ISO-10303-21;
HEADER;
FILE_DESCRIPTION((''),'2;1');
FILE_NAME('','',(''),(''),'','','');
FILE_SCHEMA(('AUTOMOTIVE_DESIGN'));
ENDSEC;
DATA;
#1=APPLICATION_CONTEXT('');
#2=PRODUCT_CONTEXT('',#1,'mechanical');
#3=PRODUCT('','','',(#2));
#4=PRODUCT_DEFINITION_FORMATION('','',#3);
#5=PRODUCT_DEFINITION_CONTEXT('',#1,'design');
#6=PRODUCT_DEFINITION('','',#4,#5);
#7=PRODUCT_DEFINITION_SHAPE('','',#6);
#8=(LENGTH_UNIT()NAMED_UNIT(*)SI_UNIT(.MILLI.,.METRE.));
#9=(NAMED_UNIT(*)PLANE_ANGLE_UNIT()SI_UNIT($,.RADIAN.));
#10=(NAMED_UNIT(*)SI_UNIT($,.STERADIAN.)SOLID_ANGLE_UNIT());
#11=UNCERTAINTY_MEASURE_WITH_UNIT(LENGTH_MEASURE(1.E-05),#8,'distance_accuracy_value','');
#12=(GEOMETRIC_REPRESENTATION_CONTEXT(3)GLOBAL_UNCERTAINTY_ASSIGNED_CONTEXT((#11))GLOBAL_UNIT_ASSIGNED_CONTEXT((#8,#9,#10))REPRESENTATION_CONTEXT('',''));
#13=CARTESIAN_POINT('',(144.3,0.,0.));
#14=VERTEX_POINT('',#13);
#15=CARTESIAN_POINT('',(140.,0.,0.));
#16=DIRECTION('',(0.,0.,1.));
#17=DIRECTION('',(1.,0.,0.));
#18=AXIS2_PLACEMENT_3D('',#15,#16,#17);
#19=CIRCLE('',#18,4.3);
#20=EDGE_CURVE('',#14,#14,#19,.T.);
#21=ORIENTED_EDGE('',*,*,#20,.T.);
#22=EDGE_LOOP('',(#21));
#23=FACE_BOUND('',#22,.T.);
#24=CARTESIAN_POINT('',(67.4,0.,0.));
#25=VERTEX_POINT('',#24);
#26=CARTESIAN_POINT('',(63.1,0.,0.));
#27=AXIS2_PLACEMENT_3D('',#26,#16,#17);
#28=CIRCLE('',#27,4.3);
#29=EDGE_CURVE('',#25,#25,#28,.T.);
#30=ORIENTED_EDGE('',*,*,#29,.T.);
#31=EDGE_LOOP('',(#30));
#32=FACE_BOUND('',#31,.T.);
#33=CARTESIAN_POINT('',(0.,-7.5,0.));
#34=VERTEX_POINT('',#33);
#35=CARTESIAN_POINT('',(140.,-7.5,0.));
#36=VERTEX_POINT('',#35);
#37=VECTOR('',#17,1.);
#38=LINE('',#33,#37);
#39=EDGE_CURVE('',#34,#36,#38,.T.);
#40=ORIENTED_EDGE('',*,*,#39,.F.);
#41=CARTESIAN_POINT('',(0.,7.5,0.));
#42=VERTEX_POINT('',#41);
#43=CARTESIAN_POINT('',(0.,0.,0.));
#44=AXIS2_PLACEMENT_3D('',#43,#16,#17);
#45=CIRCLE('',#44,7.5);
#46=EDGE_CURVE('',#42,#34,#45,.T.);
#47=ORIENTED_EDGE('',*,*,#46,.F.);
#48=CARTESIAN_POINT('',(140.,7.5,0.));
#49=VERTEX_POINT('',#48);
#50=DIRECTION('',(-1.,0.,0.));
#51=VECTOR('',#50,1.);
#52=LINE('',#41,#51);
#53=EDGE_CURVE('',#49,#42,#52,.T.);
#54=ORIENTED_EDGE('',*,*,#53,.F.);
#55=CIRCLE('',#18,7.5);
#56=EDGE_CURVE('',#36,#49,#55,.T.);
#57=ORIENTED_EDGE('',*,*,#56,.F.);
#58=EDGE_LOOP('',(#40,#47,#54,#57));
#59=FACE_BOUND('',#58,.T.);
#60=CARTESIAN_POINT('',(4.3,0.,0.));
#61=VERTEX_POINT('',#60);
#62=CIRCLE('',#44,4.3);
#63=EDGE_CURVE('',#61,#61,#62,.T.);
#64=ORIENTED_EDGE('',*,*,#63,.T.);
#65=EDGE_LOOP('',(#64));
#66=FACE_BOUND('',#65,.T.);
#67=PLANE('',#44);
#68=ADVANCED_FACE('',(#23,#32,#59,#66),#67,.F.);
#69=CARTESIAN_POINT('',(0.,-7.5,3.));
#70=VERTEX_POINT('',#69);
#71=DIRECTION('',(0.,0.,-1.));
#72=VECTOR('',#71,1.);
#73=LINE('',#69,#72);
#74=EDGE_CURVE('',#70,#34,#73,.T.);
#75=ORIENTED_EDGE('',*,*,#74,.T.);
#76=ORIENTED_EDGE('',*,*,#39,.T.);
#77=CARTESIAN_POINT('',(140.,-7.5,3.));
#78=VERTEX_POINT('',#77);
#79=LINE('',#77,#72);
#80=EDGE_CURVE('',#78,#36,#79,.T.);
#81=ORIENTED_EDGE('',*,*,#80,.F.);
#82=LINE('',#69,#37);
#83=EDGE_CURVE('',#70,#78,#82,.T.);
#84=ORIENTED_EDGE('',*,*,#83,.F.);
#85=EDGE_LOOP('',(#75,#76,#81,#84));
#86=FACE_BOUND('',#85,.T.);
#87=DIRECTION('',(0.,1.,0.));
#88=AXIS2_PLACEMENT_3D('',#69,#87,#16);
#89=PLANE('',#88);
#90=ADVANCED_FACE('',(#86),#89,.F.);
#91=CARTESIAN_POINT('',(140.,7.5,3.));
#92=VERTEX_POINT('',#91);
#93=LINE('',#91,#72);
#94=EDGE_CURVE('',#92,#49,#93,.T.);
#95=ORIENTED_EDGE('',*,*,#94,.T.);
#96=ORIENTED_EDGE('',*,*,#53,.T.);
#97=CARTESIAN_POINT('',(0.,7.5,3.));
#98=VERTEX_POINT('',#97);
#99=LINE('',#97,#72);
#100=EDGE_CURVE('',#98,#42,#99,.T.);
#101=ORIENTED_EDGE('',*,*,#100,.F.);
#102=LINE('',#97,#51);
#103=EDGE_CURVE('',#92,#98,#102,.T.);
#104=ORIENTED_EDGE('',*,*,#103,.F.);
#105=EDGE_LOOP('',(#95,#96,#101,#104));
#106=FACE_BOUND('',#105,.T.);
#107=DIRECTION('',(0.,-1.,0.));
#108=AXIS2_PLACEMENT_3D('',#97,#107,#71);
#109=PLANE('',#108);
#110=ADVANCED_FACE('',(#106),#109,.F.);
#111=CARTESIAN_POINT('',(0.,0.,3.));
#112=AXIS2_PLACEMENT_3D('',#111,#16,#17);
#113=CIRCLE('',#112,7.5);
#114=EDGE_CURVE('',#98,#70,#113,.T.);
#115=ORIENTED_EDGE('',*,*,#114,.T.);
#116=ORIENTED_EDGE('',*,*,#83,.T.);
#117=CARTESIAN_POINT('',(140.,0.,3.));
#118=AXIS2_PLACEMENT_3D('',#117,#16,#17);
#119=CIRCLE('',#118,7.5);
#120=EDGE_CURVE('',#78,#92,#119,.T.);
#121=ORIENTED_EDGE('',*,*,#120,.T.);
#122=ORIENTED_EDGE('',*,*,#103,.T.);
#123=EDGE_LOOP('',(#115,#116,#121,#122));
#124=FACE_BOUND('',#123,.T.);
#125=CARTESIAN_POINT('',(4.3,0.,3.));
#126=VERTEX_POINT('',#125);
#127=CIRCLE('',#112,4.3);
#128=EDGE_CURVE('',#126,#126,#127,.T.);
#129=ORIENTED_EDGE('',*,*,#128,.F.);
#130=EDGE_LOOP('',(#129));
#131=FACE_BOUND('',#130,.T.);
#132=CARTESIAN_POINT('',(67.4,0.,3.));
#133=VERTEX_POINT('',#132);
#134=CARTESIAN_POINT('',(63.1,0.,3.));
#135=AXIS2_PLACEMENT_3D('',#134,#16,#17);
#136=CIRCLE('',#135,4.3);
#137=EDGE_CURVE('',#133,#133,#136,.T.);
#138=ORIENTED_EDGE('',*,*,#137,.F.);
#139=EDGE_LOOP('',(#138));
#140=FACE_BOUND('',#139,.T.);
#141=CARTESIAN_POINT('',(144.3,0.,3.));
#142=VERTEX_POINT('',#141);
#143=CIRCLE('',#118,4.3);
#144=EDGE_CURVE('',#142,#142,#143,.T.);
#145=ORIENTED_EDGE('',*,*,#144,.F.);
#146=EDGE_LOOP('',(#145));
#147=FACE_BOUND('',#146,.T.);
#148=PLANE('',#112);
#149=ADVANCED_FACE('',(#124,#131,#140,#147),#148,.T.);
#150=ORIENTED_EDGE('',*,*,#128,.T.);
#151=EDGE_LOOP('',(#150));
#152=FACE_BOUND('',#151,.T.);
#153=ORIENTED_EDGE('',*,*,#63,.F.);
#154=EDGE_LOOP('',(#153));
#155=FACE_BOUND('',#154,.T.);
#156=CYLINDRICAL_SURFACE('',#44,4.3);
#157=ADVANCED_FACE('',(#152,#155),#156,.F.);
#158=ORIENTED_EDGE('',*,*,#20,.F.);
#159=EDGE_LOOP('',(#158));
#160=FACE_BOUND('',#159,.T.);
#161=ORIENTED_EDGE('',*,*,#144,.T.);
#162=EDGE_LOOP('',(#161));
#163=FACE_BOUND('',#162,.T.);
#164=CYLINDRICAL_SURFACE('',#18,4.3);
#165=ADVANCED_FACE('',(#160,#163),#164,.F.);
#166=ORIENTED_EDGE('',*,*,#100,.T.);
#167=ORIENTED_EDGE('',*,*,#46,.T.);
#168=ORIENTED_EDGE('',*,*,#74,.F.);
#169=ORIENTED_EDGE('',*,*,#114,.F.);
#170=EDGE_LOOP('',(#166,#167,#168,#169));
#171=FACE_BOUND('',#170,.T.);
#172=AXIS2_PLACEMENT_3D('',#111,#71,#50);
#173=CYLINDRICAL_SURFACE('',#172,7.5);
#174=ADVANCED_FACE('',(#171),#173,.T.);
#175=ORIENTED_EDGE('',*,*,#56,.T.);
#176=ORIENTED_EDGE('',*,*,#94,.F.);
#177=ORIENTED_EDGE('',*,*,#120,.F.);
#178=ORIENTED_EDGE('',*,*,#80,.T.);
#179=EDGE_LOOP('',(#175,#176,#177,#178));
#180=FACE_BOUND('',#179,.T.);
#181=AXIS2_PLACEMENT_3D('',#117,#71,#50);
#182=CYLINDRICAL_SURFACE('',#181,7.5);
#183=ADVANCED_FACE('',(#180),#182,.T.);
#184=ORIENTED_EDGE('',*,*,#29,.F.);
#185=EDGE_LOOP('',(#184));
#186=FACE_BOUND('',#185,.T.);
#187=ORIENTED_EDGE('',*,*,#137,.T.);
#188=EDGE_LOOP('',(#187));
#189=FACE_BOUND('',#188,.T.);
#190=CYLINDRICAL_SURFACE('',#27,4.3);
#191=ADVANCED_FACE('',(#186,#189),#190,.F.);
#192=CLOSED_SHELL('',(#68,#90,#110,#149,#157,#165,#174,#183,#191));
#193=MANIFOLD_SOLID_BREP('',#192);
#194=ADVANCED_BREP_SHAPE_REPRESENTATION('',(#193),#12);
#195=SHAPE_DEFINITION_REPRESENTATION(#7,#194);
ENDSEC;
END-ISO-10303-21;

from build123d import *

# Parameters (mm, degrees)
BOSS_EXTRUDE1_DEPTH = 3
SKETCH2_R           = 4.3
CUT_EXTRUDE1_DEPTH  = 148.721020847


with BuildPart() as part:
    # Sketch1 → Boss-Extrude1 (new body)
    with BuildSketch(Plane.XY):
        with BuildLine():
            Line((0, 7.5), (140, 7.5))
            ThreePointArc((140, 7.5), (147.5, 0), (140, -7.5))
            Line((140, -7.5), (0, -7.5))
            ThreePointArc((0, -7.5), (-7.5, 0), (0, 7.5))
        make_face()
    extrude(amount=BOSS_EXTRUDE1_DEPTH)

    # Sketch2 → Cut-Extrude1 (cut, through all)
    with BuildSketch(Plane.XY.offset(3)):
        Circle(SKETCH2_R)
        with Locations((140, 0)):
            Circle(SKETCH2_R)
        with Locations((63.1, 0)):
            Circle(SKETCH2_R)
    extrude(amount=-CUT_EXTRUDE1_DEPTH, mode=Mode.SUBTRACT)


solid = part.part
